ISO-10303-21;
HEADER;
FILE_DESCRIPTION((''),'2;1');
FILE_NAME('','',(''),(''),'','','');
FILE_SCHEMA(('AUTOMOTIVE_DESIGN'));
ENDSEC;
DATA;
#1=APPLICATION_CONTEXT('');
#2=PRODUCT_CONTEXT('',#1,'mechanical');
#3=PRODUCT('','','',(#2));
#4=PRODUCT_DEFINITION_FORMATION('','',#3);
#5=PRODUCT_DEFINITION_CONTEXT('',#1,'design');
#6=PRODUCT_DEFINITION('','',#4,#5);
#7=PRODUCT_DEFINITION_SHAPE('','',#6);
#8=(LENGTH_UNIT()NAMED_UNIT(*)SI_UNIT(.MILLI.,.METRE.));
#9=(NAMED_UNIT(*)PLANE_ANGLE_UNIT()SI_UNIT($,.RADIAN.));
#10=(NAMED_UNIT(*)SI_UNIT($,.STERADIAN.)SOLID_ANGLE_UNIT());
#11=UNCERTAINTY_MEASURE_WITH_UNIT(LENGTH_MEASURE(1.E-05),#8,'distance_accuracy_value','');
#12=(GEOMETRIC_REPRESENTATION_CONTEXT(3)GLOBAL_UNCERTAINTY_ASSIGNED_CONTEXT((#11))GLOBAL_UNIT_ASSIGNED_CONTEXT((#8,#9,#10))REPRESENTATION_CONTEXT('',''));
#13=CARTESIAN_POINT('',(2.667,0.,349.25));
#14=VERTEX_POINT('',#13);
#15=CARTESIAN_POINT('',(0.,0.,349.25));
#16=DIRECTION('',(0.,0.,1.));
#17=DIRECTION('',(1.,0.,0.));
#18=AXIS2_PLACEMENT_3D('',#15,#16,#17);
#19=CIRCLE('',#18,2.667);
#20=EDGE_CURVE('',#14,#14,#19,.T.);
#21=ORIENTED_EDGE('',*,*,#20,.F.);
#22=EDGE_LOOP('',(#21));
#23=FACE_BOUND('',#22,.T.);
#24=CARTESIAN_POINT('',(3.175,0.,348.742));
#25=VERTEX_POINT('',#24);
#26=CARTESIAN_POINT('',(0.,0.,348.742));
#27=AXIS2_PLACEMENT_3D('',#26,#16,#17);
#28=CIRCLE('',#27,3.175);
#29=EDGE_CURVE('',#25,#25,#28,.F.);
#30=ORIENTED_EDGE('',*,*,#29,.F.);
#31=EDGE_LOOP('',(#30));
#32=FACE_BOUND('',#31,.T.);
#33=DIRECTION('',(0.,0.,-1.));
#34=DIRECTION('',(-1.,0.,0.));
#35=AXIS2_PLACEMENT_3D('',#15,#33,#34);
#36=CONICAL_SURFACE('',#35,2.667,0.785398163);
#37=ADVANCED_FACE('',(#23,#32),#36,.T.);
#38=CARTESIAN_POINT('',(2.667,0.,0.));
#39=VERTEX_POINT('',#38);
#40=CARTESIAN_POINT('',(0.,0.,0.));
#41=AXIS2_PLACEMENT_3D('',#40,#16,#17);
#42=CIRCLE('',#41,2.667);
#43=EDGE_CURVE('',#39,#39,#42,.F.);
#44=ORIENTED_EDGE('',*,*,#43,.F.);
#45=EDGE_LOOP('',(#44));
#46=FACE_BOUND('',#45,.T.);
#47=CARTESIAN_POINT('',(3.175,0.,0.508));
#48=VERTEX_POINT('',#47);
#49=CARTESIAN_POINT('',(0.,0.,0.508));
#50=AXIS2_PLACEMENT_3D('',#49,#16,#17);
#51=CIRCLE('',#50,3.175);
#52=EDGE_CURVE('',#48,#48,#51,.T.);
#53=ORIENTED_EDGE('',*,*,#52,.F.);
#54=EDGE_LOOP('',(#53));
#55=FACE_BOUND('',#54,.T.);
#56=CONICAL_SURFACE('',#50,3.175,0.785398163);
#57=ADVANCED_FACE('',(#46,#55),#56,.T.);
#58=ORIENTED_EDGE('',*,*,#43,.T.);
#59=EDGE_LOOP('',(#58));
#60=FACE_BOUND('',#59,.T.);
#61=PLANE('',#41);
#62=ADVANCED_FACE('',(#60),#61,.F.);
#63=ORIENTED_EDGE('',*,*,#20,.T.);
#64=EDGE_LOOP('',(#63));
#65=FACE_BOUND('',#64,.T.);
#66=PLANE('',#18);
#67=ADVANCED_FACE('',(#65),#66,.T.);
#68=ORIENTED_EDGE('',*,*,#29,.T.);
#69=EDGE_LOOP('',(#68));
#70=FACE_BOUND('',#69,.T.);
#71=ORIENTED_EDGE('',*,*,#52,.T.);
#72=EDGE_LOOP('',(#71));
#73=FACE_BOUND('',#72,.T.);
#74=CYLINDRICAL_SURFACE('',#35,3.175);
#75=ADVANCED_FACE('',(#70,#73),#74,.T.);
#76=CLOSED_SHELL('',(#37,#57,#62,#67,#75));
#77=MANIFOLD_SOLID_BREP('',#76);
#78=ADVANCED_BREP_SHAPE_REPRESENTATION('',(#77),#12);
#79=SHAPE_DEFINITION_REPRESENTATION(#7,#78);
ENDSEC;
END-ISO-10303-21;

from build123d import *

# Parameters (mm, degrees)
SKETCH1_R           = 3.175
BOSS_EXTRUDE1_DEPTH = 349.25
CHAMFER1_SIZE       = 0.508


with BuildPart() as part:
    # Sketch1 → Boss-Extrude1 (new body)
    with BuildSketch(Plane.XY):
        Circle(SKETCH1_R)
    extrude(amount=BOSS_EXTRUDE1_DEPTH)

    # Chamfer1
    chamfer1_edges = [part.edges().sort_by_distance(p)[0] for p in [
        (-3.175, 0, 0),
        (-3.175, 0, 349.25),
    ]]
    chamfer(chamfer1_edges, length=CHAMFER1_SIZE)


solid = part.part
